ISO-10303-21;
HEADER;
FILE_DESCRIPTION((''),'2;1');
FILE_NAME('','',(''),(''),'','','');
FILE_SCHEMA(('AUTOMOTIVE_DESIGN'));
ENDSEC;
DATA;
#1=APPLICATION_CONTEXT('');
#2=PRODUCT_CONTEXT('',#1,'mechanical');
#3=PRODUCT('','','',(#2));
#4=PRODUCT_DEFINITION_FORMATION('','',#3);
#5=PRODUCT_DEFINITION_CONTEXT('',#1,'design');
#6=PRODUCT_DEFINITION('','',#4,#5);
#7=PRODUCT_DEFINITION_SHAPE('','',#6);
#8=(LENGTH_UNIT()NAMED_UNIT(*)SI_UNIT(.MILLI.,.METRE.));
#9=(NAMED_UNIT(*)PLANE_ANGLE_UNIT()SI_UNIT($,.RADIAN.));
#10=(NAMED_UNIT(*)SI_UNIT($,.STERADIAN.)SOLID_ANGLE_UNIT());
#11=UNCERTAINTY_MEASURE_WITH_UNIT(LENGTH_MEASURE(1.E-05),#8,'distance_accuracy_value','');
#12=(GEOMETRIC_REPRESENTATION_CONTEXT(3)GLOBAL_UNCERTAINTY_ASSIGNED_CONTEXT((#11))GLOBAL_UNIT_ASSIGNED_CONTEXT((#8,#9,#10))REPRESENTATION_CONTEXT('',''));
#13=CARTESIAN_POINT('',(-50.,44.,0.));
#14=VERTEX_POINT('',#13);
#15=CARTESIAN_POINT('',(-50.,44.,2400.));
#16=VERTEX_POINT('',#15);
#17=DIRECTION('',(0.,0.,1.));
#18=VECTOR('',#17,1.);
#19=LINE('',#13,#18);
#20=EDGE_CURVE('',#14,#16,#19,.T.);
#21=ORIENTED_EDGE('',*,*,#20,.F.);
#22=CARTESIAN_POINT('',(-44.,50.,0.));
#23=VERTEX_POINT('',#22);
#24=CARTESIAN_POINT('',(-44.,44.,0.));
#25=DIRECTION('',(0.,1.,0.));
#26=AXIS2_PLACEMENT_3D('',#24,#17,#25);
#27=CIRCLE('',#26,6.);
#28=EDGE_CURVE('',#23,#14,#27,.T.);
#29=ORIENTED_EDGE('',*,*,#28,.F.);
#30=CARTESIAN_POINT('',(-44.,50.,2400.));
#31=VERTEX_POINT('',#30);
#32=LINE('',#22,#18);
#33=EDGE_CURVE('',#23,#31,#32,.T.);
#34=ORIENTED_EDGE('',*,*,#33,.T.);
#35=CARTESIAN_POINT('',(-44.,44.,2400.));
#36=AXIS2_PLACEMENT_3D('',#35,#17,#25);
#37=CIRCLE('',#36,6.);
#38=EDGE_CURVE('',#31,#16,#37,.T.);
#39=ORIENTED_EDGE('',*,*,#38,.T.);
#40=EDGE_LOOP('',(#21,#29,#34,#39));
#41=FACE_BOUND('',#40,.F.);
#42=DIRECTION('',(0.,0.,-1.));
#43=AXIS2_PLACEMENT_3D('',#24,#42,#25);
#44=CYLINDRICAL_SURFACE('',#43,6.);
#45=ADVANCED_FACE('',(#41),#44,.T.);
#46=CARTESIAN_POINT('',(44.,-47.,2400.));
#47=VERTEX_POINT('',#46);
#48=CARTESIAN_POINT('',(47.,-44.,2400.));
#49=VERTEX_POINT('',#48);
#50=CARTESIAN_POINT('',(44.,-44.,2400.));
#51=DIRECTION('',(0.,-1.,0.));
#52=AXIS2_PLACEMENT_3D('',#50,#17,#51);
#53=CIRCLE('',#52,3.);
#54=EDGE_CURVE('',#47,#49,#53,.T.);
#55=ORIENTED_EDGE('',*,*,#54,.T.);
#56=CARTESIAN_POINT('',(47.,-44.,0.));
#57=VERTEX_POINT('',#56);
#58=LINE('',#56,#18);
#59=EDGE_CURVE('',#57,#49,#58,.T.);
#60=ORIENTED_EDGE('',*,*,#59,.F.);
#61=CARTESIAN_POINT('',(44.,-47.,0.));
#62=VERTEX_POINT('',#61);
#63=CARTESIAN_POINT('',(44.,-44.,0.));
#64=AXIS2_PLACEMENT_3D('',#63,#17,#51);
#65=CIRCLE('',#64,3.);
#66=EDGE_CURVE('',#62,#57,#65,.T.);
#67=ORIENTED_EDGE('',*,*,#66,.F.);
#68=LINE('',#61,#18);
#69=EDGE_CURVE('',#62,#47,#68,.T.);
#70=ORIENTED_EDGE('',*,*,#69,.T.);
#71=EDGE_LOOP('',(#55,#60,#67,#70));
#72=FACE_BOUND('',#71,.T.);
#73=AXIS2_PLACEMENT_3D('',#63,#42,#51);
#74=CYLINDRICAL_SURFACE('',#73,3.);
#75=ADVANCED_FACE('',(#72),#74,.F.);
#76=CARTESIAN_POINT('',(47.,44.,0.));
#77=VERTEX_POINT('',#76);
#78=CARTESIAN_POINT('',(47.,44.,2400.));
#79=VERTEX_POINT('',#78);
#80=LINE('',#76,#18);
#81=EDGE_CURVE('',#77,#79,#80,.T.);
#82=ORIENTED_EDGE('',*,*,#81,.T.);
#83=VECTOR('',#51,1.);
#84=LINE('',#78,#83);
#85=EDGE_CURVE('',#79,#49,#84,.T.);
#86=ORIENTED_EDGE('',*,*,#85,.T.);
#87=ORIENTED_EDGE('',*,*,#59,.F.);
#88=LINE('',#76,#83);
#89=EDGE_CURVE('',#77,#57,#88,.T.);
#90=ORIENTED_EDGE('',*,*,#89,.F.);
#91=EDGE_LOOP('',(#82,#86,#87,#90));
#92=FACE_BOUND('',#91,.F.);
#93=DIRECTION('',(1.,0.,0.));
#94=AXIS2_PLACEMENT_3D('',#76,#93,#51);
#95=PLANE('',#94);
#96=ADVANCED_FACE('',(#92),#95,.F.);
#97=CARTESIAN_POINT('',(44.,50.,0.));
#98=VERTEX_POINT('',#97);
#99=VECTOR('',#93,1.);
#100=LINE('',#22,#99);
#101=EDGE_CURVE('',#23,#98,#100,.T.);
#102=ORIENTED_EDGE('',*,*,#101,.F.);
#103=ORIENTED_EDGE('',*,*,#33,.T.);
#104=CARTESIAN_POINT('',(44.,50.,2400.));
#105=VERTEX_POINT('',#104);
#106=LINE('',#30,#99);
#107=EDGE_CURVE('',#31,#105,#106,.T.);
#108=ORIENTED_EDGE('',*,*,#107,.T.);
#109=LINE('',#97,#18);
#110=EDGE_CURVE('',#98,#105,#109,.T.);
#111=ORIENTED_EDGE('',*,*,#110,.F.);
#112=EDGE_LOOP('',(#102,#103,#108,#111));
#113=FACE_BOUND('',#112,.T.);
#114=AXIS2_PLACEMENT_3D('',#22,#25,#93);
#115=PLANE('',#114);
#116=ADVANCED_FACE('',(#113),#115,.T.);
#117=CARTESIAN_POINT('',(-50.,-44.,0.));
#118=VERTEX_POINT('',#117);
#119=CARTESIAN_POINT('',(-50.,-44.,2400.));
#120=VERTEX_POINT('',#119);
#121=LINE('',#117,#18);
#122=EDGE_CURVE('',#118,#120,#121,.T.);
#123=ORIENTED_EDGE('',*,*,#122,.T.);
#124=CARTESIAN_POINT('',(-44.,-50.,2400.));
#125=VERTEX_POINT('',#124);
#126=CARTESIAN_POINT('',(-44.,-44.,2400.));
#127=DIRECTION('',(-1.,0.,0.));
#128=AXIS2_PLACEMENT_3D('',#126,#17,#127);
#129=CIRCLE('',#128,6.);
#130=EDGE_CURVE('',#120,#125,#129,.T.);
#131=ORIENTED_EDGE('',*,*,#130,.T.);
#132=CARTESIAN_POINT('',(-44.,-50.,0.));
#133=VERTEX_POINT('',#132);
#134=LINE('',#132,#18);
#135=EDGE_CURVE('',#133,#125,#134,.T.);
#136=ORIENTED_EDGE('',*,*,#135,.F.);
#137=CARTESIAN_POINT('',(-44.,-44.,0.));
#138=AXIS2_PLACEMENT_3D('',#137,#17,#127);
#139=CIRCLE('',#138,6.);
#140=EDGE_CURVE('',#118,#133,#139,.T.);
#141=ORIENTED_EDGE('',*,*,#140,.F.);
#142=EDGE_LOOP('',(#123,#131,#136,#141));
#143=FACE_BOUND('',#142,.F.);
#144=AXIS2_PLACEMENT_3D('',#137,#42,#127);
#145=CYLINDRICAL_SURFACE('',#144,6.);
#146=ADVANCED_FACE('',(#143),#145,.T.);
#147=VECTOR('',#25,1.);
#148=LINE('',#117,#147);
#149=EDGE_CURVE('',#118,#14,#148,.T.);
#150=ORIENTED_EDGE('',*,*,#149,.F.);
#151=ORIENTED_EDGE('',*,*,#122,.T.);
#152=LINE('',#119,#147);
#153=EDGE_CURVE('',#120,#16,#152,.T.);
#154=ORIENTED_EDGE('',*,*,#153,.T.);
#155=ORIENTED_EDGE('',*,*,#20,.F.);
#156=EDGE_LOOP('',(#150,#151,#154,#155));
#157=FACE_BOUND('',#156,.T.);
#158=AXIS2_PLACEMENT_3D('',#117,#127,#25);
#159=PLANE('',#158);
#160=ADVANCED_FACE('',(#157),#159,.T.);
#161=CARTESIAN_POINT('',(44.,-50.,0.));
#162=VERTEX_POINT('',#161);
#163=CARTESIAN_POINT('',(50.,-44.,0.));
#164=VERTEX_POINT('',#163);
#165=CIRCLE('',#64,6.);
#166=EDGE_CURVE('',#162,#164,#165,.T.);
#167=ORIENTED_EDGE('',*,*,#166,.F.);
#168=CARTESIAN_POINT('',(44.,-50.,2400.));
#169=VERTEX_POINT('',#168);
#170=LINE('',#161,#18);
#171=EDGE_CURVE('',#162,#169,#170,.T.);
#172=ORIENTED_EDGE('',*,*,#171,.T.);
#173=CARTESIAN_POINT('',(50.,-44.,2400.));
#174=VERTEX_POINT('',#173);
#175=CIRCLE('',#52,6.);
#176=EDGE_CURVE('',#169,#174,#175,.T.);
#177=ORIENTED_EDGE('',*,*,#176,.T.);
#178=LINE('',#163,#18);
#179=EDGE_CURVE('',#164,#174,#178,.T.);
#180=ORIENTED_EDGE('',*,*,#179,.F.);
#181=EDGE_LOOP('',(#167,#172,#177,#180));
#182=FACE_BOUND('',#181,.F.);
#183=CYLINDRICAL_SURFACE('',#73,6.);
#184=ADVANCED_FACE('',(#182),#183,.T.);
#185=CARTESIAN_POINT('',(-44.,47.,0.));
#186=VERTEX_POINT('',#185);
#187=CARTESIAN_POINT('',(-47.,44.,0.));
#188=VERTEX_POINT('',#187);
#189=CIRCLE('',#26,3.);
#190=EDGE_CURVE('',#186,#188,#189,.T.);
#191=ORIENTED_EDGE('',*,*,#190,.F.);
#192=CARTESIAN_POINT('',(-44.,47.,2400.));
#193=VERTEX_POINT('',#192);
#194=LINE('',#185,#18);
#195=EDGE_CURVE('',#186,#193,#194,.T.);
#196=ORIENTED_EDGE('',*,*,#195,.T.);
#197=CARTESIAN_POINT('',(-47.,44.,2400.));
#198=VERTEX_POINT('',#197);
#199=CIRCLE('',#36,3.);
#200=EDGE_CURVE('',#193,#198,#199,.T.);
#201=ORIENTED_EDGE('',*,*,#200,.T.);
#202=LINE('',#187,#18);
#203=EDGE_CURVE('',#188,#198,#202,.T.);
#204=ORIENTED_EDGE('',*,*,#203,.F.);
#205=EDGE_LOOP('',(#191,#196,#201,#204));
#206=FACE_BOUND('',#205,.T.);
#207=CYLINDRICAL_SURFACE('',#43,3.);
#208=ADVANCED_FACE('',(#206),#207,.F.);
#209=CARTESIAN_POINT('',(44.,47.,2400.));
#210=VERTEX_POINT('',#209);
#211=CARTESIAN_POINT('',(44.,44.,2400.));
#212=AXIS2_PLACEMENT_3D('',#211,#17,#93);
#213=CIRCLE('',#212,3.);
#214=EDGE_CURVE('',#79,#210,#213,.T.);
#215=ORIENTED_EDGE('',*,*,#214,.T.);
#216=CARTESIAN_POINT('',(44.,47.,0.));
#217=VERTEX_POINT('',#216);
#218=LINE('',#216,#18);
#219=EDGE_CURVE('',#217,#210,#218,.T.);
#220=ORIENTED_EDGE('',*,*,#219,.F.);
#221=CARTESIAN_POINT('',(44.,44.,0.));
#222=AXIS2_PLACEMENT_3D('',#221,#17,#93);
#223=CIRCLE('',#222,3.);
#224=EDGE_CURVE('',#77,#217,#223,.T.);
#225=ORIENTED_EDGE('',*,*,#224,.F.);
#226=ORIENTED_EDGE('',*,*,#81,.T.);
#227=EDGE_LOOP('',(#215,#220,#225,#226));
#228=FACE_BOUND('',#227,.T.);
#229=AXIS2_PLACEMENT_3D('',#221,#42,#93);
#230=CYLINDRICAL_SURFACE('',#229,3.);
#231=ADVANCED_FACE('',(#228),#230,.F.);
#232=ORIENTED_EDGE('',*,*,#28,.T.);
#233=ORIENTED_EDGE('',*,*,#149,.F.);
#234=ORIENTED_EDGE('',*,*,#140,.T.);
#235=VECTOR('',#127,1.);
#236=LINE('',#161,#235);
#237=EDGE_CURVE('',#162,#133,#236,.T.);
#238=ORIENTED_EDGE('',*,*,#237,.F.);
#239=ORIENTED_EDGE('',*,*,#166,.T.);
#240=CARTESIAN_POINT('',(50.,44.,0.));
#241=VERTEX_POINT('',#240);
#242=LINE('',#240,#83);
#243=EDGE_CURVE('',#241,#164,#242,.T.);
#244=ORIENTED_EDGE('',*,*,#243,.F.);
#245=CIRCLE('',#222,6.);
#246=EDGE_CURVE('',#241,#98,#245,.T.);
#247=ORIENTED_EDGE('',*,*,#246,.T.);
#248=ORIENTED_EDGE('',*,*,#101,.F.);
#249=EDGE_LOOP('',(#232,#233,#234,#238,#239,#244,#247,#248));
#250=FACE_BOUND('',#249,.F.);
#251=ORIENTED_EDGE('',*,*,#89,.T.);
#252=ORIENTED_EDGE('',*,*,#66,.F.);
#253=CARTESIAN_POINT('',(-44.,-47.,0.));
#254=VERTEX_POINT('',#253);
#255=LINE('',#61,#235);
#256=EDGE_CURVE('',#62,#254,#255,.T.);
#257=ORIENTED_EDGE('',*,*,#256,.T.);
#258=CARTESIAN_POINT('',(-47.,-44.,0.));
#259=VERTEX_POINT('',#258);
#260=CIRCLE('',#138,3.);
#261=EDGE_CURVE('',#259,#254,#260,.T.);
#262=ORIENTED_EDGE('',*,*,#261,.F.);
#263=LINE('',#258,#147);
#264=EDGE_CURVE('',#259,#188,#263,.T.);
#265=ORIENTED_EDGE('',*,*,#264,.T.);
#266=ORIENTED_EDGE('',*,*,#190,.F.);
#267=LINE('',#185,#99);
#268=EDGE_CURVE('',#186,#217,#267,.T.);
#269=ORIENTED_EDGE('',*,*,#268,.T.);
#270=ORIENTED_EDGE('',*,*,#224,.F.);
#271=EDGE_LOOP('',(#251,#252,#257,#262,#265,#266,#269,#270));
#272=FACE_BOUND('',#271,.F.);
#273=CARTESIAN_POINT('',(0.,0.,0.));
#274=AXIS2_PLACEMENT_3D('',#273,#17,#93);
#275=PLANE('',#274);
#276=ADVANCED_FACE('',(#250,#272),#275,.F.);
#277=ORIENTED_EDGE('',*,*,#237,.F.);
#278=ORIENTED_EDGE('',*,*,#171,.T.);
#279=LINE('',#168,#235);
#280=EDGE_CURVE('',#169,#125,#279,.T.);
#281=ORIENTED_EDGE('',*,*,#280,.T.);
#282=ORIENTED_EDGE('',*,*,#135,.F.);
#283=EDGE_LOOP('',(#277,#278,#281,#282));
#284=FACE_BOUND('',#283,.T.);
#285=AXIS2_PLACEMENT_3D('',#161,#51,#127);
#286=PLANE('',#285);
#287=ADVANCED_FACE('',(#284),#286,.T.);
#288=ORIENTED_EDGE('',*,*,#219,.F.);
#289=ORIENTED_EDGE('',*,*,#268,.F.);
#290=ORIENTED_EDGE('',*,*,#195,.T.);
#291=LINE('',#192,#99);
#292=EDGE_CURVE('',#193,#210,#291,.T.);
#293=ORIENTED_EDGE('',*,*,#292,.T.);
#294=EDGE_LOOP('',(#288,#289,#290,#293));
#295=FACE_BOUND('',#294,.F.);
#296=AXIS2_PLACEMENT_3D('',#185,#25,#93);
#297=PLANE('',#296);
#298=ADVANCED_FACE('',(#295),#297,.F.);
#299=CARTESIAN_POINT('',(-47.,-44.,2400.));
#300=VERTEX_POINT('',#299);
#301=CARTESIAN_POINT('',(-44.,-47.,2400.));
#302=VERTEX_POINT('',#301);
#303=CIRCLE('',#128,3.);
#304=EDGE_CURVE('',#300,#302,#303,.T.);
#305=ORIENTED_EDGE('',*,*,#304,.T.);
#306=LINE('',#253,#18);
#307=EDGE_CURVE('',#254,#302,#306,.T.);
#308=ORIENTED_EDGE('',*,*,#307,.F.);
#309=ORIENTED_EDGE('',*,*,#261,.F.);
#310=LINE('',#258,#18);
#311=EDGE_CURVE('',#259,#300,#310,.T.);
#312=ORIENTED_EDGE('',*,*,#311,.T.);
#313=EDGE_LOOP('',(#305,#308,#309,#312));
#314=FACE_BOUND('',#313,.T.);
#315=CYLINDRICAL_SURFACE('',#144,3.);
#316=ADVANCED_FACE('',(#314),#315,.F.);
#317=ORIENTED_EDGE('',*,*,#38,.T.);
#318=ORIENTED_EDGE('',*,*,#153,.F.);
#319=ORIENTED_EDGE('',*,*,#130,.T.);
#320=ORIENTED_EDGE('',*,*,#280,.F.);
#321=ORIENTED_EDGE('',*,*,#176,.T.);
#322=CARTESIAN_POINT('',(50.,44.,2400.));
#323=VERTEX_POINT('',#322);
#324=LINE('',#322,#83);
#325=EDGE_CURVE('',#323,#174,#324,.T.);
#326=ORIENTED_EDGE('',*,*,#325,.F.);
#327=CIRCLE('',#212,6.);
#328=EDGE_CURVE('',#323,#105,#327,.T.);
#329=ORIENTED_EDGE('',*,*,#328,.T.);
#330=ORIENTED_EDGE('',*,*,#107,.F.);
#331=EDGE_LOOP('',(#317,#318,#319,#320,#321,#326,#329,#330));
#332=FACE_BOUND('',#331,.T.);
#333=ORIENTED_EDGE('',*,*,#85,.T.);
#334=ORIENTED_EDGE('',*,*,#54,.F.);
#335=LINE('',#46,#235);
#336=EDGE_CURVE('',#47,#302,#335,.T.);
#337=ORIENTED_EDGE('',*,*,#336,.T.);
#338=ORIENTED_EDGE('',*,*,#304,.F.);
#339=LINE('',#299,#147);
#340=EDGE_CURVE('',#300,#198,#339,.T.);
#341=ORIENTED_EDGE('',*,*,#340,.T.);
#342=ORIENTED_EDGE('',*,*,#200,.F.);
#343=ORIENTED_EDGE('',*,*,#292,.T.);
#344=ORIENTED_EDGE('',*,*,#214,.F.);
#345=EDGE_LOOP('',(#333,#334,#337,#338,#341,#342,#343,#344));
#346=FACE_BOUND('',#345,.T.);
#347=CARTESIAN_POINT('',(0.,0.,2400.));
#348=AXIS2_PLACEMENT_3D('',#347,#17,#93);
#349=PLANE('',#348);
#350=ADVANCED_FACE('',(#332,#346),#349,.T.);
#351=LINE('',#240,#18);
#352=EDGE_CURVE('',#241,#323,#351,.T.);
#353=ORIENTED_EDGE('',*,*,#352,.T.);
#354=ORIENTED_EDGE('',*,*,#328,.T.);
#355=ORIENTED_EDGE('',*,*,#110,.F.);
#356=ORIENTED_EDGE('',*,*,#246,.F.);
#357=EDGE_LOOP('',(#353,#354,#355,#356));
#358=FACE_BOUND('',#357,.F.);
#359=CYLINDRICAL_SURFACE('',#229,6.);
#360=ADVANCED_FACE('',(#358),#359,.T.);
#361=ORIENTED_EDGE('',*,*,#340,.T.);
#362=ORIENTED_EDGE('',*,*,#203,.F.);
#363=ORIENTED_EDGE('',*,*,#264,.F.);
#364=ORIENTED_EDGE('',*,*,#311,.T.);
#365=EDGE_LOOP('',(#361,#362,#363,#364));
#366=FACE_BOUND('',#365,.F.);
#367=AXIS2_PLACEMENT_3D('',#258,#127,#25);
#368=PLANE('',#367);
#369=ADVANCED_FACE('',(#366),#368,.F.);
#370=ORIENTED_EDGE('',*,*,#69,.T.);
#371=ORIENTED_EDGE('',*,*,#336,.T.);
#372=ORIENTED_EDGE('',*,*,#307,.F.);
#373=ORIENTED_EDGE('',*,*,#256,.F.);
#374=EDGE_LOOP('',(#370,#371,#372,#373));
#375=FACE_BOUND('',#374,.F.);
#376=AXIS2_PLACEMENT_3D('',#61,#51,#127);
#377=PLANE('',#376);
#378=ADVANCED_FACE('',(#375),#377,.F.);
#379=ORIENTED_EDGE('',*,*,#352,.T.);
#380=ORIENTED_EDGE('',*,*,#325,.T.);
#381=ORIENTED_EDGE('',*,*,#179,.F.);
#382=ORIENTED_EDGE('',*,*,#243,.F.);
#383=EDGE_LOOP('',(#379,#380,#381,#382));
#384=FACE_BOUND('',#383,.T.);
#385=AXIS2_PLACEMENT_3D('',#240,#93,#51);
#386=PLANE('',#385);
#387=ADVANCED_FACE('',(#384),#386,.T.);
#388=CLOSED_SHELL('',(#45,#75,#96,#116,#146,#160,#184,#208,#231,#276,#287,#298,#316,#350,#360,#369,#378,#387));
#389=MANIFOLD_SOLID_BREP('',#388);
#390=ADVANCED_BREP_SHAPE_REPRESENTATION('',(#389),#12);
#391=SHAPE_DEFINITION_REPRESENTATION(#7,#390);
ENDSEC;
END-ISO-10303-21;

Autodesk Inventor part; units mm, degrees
ref_plane "YZ Plane" through (0, 0, 0) normal (1, 0, 0) x (0, 1, 0)
ref_plane "Start Plane" through (0, 0, 0) normal (0, 0, 1) x (1, 0, 0)
ref_plane "End Plane" through (0, 0, 2400) normal (0, 0, 1) x (1, 0, 0)
sketch "Sketch" plane through (0, 0, 0) normal (0, 0, 1) x (1, 0, 0)
  line L0 (-50, -44) -> (-50, 44)
  line L1 (-44, 50) -> (44, 50)
  line L2 (50, 44) -> (50, -44)
  line L3 (44, -50) -> (-44, -50)
  arc A0 (-50, -44) -> (-44, -50) centre (-44, -44) ccw
  arc A1 (50, 44) -> (44, 50) centre (44, 44) ccw
  arc A2 (-44, 50) -> (-50, 44) centre (-44, 44) ccw
  arc A3 (44, -50) -> (50, -44) centre (44, -44) ccw
  arc A4 (-44, 47) -> (-47, 44) centre (-44, 44) ccw
  line L4 (-44, 47) -> (44, 47)
  arc A5 (47, 44) -> (44, 47) centre (44, 44) ccw
  line L5 (47, 44) -> (47, -44)
  arc A6 (44, -47) -> (47, -44) centre (44, -44) ccw
  line L6 (44, -47) -> (-44, -47)
  arc A7 (-47, -44) -> (-44, -47) centre (-44, -44) ccw
  line L7 (-47, -44) -> (-47, 44)
  line L8 (0, 71.7397) -> (0, -71.7397) construction
  line L9 (-71.7397, 0) -> (71.7397, 0) construction
  dimension "d7" = 6
  dimension "d9" = 100
  dimension "d11" = 100
  dimension "d12" = 3
  dimension "d15" = 50
  dimension "d16" = 50
extrude "Body" add sketch "Sketch" along normal up to surface (2400 mm away) from surface at 0
sketch "Sketch3" plane through (0, 0, 0) normal (0, 0, 1) x (1, 0, 0)
  line L0 (0, 0) -> (10, 0)
ref_plane "Work Plane3" through (0, 0, 0) normal (0, -1, 0) x (1, 0, 0)
sketch "Sketch4" plane through (0, 0, 0) normal (0, -1, 0) x (1, 0, 0)
  line L0 (-2, 0) -> (12, 0) projected
  line L1 (-2, 2400) -> (12, 2400) projected
  dimension "d18" = 2400
equation "\"d7\" = G_IR"
equation "\"d9\" = G_W"
equation "\"d11\" = G_H"
equation "\"d12\" = G_T"
equation "\"d15\" = 0.5 * d9"
equation "\"d16\" = 0.5 * d11"
equation "\"d3\" = G_L"
equation "\"G_W\" = 100"
equation "\"G_H\" = 100"
equation "\"G_T\" = 3"
equation "\"G_IR\" = 6"
equation "\"G_L\" = d18"
equation "\"G_OFFSET_START\" = 0"
equation "\"G_OFFSET_END\" = 0"
properties part number "ISO 10799-2 - 100x100x3 - 2400" material "Steel, Mild"
